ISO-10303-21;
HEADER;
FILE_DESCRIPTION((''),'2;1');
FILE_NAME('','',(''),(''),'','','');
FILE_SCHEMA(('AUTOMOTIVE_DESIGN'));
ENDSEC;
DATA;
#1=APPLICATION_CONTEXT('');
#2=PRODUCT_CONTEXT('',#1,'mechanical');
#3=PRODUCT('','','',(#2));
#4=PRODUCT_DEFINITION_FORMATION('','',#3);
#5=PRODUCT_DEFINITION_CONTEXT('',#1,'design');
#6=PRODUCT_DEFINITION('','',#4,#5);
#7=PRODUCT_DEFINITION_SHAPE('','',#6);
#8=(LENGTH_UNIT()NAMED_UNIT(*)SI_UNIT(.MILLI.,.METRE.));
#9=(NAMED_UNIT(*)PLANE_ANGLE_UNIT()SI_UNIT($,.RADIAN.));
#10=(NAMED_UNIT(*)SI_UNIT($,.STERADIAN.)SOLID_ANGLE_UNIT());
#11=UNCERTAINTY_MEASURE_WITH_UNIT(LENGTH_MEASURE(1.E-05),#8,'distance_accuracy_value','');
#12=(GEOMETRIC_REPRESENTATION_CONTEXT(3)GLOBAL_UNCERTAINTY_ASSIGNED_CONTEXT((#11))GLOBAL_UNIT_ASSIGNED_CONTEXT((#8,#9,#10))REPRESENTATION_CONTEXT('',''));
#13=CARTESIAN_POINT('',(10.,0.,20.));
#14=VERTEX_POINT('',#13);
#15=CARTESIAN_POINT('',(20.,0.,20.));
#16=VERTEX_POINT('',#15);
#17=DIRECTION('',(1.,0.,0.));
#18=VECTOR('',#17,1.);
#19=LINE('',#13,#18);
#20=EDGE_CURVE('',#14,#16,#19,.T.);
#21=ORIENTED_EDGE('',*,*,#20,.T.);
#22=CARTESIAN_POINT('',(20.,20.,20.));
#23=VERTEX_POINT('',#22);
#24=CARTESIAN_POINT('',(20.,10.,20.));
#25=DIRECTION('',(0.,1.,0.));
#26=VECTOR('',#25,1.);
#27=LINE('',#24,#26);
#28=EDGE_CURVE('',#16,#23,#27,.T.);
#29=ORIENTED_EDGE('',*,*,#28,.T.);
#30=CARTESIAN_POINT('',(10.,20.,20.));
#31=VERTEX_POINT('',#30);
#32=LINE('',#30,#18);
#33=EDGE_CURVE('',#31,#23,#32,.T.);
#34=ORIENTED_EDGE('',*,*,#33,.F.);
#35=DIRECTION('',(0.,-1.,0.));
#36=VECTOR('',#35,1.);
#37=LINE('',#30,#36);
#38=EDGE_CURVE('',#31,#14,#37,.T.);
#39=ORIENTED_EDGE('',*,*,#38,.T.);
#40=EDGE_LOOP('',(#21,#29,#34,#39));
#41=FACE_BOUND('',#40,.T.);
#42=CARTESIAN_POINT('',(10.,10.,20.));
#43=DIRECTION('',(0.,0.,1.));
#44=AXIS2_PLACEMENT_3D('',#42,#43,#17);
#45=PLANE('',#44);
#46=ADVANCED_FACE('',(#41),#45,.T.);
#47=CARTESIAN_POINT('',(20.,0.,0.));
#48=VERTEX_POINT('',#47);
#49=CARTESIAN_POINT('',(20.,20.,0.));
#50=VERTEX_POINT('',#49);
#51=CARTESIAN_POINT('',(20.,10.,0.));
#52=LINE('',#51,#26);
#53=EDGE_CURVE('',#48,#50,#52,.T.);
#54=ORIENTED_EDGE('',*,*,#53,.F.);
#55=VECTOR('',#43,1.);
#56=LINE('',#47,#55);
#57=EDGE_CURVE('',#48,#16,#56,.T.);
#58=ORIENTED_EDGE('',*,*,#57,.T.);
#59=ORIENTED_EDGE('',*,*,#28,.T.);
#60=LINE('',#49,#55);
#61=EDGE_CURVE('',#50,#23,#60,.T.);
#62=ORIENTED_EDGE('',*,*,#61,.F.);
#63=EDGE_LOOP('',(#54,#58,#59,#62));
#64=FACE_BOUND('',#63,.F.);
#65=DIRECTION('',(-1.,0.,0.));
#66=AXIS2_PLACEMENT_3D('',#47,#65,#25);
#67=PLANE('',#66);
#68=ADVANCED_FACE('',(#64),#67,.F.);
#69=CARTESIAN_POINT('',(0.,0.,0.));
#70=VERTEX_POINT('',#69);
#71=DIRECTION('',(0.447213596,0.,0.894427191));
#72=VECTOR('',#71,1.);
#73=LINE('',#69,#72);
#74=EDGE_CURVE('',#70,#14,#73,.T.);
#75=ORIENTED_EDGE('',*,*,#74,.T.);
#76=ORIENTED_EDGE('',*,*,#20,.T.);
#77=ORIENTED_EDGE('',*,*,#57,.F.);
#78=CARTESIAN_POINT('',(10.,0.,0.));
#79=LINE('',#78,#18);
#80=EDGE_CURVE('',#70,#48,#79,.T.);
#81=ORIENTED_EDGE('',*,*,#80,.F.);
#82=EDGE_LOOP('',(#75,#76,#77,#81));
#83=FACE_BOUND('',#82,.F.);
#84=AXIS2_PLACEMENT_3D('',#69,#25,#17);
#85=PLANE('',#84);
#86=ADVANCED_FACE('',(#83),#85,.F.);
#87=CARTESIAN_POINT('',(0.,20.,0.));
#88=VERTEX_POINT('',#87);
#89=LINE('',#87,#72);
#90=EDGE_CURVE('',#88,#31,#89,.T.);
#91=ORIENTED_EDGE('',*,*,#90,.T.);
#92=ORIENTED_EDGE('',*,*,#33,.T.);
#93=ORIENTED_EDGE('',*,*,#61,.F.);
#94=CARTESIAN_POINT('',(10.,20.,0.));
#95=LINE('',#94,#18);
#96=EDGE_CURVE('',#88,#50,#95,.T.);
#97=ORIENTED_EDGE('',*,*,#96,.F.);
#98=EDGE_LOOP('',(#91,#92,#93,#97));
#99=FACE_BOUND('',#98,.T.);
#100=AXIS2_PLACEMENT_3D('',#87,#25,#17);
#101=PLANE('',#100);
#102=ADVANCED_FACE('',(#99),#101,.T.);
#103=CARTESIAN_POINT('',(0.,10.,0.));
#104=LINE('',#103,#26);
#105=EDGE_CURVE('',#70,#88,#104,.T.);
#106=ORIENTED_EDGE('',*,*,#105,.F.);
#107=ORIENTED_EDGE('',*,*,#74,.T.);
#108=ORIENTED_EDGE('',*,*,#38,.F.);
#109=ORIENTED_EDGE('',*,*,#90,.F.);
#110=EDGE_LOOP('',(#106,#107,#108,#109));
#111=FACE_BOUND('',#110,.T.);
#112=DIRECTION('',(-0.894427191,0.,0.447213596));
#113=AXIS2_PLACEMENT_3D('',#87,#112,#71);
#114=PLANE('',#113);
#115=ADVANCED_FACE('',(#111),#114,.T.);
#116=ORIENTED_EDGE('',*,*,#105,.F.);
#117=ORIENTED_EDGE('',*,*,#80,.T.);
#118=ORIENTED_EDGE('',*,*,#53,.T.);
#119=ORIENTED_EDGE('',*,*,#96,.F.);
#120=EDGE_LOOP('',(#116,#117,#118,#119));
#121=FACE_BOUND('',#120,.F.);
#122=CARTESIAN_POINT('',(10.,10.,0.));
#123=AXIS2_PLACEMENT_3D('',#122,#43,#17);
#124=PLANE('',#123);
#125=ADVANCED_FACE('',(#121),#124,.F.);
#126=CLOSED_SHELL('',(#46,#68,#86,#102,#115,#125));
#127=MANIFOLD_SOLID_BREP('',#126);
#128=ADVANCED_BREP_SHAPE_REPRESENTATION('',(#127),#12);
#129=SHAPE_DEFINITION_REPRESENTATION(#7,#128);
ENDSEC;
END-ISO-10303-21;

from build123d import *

# Parameters (mm, degrees)
SKETCH1_W           = 20
SKETCH1_H           = 20
BOSS_EXTRUDE1_DEPTH = 20
CUT_EXTRUDE1_DEPTH  = 20


with BuildPart() as part:
    # Sketch1 → Boss-Extrude1 (new body)
    with BuildSketch(Plane.XY):
        with Locations((10, 10)):
            Rectangle(SKETCH1_W, SKETCH1_H)
    extrude(amount=BOSS_EXTRUDE1_DEPTH)

    # Sketch2 → Cut-Extrude1 (cut)
    with BuildSketch(Plane(origin=(0, 20, 0), x_dir=(1, 0, 0), z_dir=(0, 1, 0))):
        Polygon((0, 0), (10, -20), (0, -20), align=None)
    extrude(amount=-CUT_EXTRUDE1_DEPTH, mode=Mode.SUBTRACT)


solid = part.part
